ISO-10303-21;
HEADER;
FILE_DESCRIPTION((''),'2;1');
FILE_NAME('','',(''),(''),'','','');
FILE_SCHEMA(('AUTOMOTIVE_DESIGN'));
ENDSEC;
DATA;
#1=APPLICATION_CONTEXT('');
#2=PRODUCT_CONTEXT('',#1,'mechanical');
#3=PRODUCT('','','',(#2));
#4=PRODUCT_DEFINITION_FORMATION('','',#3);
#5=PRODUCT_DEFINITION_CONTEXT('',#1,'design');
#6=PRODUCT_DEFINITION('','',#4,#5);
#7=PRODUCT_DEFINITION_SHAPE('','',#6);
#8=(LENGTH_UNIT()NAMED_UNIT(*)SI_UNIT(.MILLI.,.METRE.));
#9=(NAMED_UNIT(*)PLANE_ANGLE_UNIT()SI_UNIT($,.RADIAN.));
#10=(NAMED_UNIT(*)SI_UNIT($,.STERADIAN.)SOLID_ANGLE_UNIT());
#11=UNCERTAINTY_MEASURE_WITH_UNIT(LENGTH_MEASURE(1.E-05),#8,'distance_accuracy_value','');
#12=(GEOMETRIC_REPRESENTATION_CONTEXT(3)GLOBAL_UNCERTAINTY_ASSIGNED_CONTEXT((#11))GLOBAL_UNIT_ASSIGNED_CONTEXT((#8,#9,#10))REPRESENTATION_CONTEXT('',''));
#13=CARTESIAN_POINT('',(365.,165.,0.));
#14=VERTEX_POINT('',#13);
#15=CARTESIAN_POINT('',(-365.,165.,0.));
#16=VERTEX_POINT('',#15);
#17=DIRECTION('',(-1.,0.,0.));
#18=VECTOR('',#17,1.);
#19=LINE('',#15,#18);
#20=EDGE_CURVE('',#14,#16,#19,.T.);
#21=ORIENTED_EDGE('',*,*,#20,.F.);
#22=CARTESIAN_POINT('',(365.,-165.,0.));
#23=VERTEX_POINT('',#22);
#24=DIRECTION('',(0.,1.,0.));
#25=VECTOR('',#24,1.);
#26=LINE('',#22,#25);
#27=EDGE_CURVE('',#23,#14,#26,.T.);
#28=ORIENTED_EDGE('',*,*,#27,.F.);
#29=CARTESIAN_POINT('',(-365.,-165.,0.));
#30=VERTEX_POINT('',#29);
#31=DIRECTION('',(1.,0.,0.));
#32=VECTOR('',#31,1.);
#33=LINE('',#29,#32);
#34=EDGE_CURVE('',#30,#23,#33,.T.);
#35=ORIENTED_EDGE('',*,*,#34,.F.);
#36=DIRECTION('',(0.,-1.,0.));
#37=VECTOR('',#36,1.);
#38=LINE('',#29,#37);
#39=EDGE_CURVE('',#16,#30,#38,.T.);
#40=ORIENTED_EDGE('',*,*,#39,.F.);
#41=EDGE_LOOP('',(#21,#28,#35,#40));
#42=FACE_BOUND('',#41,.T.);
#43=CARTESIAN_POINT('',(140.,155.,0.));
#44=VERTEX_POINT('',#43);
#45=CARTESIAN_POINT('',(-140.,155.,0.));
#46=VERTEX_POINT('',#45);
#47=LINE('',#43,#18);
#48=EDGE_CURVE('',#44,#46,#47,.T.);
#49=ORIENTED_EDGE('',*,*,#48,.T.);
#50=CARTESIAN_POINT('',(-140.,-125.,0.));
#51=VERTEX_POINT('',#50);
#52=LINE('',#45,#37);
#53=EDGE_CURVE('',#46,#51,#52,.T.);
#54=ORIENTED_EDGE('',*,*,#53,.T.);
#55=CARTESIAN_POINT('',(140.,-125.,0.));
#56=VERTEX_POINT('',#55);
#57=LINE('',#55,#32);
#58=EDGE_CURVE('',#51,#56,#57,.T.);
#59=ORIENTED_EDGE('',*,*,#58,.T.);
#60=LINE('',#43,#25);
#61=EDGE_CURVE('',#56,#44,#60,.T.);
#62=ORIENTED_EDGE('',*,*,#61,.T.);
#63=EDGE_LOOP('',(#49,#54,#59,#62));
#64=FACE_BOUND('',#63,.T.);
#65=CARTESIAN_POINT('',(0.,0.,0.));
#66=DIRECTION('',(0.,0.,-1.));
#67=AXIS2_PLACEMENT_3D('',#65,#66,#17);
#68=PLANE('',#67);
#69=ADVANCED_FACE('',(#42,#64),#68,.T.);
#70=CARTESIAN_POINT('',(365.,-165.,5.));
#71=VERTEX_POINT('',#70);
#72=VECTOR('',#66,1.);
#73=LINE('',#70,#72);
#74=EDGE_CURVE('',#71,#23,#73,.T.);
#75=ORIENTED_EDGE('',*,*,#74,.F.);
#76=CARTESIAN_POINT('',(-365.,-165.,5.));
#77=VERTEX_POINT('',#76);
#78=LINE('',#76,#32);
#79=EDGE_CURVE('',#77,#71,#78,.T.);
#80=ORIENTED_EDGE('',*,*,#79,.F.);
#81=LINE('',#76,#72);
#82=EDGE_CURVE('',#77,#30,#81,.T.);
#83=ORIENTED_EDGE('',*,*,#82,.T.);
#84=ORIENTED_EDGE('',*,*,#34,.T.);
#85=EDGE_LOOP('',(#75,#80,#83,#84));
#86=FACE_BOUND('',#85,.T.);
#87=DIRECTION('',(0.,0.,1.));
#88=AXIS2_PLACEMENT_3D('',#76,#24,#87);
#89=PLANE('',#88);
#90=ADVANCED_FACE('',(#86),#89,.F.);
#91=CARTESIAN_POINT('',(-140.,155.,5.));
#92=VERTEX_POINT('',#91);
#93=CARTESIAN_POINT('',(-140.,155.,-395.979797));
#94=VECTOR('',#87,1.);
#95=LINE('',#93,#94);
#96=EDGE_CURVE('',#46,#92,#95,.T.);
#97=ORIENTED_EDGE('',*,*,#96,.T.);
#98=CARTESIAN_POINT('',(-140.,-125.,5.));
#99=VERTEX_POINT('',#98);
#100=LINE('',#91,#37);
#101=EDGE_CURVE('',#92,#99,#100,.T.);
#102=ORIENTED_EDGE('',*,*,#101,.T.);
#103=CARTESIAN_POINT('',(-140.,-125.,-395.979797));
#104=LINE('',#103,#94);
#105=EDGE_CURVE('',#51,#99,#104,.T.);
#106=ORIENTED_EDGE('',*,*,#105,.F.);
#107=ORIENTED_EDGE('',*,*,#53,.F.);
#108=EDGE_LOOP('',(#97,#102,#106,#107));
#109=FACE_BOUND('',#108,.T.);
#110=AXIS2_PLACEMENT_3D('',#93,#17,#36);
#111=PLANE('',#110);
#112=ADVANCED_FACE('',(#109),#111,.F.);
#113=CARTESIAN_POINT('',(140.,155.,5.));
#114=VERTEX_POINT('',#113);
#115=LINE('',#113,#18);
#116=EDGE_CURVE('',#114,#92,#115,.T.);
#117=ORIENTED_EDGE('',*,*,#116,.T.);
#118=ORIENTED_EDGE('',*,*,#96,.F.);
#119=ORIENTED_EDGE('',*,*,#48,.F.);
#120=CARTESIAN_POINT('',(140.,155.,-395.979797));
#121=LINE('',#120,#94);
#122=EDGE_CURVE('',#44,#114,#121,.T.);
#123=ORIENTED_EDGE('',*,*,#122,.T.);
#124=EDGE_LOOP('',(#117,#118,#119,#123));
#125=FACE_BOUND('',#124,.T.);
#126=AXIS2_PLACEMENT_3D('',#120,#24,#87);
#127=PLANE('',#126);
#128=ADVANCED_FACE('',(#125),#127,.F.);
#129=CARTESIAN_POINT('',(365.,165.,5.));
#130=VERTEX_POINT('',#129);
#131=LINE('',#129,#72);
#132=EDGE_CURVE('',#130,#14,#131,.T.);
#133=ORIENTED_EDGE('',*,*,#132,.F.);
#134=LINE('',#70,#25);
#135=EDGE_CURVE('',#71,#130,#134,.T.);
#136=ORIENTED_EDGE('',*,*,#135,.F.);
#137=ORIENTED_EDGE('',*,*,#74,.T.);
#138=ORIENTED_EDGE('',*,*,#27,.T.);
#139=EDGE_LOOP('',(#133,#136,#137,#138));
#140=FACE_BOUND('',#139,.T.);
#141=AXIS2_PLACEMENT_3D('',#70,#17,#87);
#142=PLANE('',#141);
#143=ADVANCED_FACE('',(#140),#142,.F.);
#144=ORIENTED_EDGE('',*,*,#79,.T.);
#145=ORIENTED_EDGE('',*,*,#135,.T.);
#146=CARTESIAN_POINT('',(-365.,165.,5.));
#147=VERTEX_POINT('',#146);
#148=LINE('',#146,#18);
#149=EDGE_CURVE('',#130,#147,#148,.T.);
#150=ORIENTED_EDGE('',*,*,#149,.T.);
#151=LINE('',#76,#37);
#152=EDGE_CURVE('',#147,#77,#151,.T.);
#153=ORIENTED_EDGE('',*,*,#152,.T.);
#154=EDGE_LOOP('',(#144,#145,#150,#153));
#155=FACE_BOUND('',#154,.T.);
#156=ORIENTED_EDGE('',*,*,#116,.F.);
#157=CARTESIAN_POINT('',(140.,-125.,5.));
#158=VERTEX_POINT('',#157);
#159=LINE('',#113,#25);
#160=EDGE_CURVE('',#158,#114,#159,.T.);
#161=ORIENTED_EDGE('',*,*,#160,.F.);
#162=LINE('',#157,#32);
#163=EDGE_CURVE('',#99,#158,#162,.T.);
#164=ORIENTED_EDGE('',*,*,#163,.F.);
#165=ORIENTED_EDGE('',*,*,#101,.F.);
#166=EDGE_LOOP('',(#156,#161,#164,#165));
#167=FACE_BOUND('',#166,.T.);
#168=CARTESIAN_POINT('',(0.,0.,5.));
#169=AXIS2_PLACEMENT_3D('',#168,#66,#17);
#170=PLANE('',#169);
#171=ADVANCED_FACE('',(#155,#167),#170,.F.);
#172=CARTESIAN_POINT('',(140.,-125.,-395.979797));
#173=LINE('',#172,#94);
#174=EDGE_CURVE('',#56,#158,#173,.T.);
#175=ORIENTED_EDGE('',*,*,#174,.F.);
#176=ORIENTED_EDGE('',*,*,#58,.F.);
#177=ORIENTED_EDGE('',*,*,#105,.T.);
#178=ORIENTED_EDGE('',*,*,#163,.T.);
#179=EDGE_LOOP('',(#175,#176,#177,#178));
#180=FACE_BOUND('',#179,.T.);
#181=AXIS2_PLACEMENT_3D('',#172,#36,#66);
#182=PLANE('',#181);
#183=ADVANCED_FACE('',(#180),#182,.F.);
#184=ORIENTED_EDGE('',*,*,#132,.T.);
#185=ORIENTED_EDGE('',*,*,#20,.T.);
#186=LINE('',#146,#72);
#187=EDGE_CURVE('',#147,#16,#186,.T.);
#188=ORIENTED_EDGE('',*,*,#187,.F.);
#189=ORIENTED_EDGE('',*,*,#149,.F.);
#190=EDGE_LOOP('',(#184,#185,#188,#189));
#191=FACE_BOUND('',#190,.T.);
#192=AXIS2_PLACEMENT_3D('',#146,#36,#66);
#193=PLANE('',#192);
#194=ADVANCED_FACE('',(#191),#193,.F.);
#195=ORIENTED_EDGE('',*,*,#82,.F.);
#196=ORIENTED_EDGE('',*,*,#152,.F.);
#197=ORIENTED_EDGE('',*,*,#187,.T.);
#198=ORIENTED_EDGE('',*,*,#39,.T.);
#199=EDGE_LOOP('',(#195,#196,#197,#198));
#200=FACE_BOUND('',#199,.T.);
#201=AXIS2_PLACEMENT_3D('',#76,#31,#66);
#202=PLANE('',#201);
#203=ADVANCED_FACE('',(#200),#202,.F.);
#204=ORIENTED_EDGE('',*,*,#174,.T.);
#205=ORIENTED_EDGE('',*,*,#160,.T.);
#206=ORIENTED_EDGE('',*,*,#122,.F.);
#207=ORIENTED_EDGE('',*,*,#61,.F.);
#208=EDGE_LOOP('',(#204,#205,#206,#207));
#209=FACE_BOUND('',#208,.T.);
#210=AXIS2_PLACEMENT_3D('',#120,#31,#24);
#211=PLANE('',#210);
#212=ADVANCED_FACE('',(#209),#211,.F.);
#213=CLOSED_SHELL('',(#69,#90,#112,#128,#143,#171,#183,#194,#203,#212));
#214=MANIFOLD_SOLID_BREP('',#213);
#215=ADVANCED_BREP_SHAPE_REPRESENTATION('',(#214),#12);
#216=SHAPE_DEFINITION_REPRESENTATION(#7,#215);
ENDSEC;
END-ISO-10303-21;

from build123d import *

# Parameters (mm, degrees)
CROQUIS2_W              = 730
CROQUIS2_H              = 330
SALIENTE_EXTRUIR2_DEPTH = 5
CROQUIS4_W              = 280
CROQUIS4_H              = 280
CORTAR_EXTRUIR1_DEPTH   = 5


with BuildPart() as part:
    # Croquis2 → Saliente-Extruir2 (new body)
    with BuildSketch(Plane.XY):
        Rectangle(CROQUIS2_W, CROQUIS2_H)
    extrude(amount=SALIENTE_EXTRUIR2_DEPTH)

    # Croquis4 → Cortar-Extruir1 (cut)
    with BuildSketch(Plane.XY.offset(5)):
        with Locations((0, 15)):
            Rectangle(CROQUIS4_W, CROQUIS4_H)
    extrude(amount=-CORTAR_EXTRUIR1_DEPTH, mode=Mode.SUBTRACT)


solid = part.part
